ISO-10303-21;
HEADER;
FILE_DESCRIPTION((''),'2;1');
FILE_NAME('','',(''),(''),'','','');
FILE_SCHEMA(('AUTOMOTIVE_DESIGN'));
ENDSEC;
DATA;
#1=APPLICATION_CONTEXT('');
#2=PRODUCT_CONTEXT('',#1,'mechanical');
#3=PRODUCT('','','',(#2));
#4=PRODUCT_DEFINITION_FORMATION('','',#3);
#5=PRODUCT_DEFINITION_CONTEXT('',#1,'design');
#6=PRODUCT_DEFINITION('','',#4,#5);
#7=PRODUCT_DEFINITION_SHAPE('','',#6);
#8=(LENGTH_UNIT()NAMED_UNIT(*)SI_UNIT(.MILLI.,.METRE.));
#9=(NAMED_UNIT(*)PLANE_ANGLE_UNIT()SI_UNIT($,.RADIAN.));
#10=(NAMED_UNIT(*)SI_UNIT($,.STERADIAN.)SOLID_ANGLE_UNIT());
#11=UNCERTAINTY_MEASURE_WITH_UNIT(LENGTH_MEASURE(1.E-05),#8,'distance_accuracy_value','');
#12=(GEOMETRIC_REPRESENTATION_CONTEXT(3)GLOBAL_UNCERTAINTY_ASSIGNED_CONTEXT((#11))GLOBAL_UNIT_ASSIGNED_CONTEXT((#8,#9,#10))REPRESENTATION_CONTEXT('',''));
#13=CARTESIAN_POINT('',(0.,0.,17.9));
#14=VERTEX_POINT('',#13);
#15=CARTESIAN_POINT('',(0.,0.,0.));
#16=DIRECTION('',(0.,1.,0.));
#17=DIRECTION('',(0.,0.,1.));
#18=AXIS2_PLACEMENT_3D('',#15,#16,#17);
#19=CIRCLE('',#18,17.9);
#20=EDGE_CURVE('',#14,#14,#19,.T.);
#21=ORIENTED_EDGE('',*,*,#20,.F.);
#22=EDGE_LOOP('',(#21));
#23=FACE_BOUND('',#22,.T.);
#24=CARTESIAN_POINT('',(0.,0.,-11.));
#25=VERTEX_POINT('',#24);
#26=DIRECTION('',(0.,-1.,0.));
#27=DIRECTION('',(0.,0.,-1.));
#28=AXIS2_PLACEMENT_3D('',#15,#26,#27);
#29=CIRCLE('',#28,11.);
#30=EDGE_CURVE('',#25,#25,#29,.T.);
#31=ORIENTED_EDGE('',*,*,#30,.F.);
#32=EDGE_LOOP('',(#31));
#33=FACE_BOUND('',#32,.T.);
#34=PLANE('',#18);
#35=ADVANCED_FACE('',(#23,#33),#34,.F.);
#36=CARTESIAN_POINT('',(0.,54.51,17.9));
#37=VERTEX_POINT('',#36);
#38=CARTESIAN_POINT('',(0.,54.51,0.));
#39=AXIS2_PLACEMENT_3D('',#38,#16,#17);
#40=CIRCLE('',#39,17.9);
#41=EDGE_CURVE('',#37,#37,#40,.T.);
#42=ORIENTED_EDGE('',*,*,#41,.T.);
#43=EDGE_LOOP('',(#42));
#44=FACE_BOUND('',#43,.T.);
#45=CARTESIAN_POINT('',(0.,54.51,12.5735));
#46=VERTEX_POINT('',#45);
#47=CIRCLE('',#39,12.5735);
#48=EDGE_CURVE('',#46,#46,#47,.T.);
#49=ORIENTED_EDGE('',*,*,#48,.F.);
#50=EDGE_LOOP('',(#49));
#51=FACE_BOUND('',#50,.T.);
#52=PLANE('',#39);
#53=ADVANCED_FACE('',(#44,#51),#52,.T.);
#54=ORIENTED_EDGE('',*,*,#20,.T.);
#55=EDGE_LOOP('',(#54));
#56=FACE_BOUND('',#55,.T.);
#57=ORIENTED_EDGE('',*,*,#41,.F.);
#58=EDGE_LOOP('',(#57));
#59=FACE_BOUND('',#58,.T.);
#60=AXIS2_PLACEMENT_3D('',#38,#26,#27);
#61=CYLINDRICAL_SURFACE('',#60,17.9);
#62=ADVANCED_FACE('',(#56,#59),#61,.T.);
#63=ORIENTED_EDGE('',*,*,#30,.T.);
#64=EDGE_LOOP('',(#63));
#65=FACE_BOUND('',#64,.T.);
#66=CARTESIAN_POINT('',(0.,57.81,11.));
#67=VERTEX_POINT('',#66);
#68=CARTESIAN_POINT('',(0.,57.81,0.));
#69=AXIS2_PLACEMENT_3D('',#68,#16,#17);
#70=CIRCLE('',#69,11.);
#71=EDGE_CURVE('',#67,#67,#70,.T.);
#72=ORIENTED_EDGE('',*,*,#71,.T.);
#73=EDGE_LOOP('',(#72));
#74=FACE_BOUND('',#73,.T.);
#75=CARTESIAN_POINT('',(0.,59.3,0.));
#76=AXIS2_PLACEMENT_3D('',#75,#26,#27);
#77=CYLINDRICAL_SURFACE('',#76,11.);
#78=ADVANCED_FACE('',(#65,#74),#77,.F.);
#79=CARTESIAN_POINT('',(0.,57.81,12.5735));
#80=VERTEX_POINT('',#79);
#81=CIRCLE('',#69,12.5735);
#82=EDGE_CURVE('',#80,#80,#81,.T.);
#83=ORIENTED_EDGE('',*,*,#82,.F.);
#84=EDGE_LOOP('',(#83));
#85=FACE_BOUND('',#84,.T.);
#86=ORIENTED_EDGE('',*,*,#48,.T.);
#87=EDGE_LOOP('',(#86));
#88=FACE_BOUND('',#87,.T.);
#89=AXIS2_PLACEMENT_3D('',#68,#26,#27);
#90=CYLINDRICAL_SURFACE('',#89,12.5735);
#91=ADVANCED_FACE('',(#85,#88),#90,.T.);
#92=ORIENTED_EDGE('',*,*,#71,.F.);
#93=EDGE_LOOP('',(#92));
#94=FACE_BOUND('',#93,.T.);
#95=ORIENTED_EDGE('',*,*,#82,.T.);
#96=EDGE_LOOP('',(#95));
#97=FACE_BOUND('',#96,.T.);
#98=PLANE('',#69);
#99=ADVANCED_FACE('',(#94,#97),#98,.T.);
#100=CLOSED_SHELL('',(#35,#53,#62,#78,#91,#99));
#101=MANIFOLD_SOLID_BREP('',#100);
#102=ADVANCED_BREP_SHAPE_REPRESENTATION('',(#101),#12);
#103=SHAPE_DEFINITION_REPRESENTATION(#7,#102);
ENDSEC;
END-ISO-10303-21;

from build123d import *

# Parameters (mm, degrees)
SKETCH1_R           = 17.9
BOSS_EXTRUDE1_DEPTH = 54.51
SKETCH2_R           = 12.5735
BOSS_EXTRUDE2_DEPTH = 3.3
SKETCH4_R           = 11
CUT_EXTRUDE2_DEPTH  = 59.3


with BuildPart() as part:
    # Sketch1 → Boss-Extrude1 (new body)
    with BuildSketch(Plane(origin=(0, 0, 0), x_dir=(1, 0, 0), z_dir=(0, 1, 0))):
        Circle(SKETCH1_R)
    extrude(amount=BOSS_EXTRUDE1_DEPTH)

    # Sketch2 → Boss-Extrude2 (add)
    with BuildSketch(Plane(origin=(0, 54.51, 0), x_dir=(1, 0, 0), z_dir=(0, 1, 0))):
        Circle(SKETCH2_R)
    extrude(amount=BOSS_EXTRUDE2_DEPTH)

    # Sketch4 → Cut-Extrude2 (cut)
    with BuildSketch(Plane.XZ):
        Circle(SKETCH4_R)
    extrude(amount=-CUT_EXTRUDE2_DEPTH, mode=Mode.SUBTRACT)


solid = part.part
